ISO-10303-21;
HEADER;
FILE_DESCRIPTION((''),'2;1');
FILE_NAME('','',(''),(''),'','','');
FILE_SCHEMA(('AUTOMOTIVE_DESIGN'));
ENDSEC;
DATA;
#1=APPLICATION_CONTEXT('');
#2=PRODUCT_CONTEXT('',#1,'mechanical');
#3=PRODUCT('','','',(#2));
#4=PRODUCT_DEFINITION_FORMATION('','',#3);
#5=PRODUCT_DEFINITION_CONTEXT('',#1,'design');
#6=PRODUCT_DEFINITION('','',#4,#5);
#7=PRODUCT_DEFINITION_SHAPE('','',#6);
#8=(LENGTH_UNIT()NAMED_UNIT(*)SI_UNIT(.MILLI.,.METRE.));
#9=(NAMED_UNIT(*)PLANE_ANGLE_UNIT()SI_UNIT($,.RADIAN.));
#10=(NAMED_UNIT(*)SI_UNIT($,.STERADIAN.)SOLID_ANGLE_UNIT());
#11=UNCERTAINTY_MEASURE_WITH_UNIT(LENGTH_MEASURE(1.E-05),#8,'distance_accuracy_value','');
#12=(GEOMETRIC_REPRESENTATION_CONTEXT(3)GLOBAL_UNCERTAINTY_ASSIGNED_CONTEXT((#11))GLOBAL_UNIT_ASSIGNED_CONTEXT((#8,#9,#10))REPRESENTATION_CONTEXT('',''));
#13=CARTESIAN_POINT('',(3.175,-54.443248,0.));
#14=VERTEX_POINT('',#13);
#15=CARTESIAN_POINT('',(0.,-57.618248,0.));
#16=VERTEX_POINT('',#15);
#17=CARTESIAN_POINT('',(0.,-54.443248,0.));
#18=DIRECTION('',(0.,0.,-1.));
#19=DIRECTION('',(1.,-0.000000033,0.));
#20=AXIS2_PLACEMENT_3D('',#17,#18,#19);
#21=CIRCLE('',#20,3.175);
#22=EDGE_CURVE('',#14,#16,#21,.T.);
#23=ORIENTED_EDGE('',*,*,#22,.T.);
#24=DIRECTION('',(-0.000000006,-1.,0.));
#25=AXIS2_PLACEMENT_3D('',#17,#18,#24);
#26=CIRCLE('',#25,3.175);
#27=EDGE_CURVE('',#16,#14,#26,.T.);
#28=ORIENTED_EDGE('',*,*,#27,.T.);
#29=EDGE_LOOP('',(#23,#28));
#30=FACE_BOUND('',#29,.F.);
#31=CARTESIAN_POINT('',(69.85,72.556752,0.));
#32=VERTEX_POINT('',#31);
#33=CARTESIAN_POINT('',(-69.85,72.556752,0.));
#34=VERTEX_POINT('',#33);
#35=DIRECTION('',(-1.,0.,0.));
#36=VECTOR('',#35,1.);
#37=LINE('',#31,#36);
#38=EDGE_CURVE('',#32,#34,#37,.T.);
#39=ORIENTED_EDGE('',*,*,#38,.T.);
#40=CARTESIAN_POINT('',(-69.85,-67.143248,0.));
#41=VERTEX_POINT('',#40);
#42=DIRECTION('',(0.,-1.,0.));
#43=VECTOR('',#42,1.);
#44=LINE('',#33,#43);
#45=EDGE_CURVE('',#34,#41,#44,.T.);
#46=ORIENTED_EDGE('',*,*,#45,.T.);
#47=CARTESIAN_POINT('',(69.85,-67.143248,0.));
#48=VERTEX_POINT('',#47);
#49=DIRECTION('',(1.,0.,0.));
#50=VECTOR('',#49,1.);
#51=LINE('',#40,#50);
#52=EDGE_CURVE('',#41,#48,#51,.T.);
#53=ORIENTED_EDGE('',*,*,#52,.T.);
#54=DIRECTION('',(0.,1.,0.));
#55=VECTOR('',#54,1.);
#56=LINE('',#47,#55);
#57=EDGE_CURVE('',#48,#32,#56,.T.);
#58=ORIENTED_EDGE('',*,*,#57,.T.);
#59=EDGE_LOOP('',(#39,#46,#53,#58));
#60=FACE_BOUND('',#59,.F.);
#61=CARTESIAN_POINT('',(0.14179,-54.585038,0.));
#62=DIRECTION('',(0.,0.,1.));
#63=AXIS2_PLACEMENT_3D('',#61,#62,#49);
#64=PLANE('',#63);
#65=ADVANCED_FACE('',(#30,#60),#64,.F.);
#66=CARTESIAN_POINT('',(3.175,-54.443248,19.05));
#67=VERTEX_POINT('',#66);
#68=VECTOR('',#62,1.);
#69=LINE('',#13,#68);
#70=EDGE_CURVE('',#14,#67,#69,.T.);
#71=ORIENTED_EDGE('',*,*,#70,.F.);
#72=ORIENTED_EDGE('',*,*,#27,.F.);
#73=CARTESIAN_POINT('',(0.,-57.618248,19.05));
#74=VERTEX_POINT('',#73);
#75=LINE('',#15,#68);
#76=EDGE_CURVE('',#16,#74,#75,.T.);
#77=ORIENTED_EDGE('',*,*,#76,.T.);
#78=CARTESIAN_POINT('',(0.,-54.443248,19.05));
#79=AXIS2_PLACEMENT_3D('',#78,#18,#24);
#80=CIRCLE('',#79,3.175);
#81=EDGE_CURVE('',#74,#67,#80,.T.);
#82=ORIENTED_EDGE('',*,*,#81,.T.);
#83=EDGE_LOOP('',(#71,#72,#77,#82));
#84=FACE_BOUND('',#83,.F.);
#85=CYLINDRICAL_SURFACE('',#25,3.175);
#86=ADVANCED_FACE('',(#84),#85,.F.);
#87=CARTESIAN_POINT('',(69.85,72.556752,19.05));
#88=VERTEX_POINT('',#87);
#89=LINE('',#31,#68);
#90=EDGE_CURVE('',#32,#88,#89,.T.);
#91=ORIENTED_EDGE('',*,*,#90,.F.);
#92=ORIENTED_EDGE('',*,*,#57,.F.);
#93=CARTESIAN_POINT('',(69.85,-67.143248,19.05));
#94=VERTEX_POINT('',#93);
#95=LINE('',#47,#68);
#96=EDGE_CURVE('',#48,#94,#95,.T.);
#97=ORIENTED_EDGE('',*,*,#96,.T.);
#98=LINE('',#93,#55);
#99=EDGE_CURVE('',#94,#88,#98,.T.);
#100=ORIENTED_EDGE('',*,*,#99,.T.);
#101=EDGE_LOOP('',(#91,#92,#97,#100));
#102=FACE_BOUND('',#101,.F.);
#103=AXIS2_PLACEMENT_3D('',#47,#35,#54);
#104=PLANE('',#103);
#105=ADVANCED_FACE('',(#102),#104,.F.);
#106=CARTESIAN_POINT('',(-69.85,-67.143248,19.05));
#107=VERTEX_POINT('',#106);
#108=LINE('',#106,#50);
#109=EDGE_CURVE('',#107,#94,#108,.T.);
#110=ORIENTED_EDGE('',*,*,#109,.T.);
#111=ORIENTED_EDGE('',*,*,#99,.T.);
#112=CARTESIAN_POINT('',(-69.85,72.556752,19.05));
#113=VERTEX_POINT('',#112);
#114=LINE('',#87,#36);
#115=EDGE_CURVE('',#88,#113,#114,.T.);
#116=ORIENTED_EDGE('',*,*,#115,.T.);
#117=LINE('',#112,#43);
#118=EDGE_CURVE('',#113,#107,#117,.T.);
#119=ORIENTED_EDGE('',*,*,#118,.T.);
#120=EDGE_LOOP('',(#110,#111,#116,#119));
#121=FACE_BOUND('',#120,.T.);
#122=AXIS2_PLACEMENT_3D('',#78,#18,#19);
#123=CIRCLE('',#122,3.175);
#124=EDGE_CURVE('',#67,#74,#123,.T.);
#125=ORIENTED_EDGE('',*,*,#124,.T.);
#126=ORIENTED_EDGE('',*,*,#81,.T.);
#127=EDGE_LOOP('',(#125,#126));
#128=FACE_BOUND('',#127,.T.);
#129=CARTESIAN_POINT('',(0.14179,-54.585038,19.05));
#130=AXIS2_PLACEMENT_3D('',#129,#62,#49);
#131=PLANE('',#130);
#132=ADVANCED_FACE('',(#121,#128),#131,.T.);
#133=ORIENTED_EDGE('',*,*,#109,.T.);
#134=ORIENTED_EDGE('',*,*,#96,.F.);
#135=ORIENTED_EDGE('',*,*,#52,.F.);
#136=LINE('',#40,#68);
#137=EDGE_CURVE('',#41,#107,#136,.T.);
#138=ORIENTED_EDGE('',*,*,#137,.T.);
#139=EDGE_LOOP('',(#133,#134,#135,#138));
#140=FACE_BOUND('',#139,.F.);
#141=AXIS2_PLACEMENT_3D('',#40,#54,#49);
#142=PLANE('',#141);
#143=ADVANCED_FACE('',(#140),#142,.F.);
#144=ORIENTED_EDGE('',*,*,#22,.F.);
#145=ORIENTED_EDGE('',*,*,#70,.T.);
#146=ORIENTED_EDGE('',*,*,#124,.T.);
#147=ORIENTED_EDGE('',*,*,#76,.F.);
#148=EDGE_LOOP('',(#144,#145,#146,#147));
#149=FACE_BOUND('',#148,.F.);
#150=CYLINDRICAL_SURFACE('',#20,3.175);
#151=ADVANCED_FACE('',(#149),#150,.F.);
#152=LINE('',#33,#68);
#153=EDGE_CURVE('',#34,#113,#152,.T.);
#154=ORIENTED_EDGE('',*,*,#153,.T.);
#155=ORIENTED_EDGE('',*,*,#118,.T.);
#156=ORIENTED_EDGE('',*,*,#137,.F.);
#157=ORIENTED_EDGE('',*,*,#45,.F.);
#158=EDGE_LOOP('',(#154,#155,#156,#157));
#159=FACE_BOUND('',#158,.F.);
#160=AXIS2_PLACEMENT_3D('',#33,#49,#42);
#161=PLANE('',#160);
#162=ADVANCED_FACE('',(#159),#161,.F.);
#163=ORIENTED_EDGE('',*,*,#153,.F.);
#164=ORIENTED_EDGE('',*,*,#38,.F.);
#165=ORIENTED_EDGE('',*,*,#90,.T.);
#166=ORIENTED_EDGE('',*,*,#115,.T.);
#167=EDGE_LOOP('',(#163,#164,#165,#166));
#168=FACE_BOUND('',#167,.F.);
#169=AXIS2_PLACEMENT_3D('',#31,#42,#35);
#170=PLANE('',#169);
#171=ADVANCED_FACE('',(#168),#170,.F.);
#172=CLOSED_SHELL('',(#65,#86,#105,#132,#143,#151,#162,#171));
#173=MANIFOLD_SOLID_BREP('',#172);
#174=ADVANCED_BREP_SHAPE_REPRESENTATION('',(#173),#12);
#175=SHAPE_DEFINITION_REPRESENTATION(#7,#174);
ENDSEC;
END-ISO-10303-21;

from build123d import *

# Parameters (mm, degrees)
F1_DEPTH = 19.05


with BuildPart() as f1:
    # F0 (on Top) → F1 (new body)
    with BuildSketch(Plane.XY):
        with BuildLine():
            ThreePointArc((3.175, -54.443248), (-2.245064, -52.198184), (0, -57.618248))
            ThreePointArc((0, -57.618248), (2.245064, -56.688312), (3.175, -54.443248))
        make_face()
        Polygon((69.85, 72.556752), (-69.85, 72.556752), (-69.85, -67.143248), (0, -67.143248), (69.85, -67.143248), align=None)
        with BuildLine():
            ThreePointArc((3.175, -54.443248), (2.245064, -56.688312), (0, -57.618248))
            ThreePointArc((0, -57.618248), (-2.245064, -52.198184), (3.175, -54.443248))
        make_face(mode=Mode.SUBTRACT)
    extrude(amount=F1_DEPTH)


solid = f1.part
